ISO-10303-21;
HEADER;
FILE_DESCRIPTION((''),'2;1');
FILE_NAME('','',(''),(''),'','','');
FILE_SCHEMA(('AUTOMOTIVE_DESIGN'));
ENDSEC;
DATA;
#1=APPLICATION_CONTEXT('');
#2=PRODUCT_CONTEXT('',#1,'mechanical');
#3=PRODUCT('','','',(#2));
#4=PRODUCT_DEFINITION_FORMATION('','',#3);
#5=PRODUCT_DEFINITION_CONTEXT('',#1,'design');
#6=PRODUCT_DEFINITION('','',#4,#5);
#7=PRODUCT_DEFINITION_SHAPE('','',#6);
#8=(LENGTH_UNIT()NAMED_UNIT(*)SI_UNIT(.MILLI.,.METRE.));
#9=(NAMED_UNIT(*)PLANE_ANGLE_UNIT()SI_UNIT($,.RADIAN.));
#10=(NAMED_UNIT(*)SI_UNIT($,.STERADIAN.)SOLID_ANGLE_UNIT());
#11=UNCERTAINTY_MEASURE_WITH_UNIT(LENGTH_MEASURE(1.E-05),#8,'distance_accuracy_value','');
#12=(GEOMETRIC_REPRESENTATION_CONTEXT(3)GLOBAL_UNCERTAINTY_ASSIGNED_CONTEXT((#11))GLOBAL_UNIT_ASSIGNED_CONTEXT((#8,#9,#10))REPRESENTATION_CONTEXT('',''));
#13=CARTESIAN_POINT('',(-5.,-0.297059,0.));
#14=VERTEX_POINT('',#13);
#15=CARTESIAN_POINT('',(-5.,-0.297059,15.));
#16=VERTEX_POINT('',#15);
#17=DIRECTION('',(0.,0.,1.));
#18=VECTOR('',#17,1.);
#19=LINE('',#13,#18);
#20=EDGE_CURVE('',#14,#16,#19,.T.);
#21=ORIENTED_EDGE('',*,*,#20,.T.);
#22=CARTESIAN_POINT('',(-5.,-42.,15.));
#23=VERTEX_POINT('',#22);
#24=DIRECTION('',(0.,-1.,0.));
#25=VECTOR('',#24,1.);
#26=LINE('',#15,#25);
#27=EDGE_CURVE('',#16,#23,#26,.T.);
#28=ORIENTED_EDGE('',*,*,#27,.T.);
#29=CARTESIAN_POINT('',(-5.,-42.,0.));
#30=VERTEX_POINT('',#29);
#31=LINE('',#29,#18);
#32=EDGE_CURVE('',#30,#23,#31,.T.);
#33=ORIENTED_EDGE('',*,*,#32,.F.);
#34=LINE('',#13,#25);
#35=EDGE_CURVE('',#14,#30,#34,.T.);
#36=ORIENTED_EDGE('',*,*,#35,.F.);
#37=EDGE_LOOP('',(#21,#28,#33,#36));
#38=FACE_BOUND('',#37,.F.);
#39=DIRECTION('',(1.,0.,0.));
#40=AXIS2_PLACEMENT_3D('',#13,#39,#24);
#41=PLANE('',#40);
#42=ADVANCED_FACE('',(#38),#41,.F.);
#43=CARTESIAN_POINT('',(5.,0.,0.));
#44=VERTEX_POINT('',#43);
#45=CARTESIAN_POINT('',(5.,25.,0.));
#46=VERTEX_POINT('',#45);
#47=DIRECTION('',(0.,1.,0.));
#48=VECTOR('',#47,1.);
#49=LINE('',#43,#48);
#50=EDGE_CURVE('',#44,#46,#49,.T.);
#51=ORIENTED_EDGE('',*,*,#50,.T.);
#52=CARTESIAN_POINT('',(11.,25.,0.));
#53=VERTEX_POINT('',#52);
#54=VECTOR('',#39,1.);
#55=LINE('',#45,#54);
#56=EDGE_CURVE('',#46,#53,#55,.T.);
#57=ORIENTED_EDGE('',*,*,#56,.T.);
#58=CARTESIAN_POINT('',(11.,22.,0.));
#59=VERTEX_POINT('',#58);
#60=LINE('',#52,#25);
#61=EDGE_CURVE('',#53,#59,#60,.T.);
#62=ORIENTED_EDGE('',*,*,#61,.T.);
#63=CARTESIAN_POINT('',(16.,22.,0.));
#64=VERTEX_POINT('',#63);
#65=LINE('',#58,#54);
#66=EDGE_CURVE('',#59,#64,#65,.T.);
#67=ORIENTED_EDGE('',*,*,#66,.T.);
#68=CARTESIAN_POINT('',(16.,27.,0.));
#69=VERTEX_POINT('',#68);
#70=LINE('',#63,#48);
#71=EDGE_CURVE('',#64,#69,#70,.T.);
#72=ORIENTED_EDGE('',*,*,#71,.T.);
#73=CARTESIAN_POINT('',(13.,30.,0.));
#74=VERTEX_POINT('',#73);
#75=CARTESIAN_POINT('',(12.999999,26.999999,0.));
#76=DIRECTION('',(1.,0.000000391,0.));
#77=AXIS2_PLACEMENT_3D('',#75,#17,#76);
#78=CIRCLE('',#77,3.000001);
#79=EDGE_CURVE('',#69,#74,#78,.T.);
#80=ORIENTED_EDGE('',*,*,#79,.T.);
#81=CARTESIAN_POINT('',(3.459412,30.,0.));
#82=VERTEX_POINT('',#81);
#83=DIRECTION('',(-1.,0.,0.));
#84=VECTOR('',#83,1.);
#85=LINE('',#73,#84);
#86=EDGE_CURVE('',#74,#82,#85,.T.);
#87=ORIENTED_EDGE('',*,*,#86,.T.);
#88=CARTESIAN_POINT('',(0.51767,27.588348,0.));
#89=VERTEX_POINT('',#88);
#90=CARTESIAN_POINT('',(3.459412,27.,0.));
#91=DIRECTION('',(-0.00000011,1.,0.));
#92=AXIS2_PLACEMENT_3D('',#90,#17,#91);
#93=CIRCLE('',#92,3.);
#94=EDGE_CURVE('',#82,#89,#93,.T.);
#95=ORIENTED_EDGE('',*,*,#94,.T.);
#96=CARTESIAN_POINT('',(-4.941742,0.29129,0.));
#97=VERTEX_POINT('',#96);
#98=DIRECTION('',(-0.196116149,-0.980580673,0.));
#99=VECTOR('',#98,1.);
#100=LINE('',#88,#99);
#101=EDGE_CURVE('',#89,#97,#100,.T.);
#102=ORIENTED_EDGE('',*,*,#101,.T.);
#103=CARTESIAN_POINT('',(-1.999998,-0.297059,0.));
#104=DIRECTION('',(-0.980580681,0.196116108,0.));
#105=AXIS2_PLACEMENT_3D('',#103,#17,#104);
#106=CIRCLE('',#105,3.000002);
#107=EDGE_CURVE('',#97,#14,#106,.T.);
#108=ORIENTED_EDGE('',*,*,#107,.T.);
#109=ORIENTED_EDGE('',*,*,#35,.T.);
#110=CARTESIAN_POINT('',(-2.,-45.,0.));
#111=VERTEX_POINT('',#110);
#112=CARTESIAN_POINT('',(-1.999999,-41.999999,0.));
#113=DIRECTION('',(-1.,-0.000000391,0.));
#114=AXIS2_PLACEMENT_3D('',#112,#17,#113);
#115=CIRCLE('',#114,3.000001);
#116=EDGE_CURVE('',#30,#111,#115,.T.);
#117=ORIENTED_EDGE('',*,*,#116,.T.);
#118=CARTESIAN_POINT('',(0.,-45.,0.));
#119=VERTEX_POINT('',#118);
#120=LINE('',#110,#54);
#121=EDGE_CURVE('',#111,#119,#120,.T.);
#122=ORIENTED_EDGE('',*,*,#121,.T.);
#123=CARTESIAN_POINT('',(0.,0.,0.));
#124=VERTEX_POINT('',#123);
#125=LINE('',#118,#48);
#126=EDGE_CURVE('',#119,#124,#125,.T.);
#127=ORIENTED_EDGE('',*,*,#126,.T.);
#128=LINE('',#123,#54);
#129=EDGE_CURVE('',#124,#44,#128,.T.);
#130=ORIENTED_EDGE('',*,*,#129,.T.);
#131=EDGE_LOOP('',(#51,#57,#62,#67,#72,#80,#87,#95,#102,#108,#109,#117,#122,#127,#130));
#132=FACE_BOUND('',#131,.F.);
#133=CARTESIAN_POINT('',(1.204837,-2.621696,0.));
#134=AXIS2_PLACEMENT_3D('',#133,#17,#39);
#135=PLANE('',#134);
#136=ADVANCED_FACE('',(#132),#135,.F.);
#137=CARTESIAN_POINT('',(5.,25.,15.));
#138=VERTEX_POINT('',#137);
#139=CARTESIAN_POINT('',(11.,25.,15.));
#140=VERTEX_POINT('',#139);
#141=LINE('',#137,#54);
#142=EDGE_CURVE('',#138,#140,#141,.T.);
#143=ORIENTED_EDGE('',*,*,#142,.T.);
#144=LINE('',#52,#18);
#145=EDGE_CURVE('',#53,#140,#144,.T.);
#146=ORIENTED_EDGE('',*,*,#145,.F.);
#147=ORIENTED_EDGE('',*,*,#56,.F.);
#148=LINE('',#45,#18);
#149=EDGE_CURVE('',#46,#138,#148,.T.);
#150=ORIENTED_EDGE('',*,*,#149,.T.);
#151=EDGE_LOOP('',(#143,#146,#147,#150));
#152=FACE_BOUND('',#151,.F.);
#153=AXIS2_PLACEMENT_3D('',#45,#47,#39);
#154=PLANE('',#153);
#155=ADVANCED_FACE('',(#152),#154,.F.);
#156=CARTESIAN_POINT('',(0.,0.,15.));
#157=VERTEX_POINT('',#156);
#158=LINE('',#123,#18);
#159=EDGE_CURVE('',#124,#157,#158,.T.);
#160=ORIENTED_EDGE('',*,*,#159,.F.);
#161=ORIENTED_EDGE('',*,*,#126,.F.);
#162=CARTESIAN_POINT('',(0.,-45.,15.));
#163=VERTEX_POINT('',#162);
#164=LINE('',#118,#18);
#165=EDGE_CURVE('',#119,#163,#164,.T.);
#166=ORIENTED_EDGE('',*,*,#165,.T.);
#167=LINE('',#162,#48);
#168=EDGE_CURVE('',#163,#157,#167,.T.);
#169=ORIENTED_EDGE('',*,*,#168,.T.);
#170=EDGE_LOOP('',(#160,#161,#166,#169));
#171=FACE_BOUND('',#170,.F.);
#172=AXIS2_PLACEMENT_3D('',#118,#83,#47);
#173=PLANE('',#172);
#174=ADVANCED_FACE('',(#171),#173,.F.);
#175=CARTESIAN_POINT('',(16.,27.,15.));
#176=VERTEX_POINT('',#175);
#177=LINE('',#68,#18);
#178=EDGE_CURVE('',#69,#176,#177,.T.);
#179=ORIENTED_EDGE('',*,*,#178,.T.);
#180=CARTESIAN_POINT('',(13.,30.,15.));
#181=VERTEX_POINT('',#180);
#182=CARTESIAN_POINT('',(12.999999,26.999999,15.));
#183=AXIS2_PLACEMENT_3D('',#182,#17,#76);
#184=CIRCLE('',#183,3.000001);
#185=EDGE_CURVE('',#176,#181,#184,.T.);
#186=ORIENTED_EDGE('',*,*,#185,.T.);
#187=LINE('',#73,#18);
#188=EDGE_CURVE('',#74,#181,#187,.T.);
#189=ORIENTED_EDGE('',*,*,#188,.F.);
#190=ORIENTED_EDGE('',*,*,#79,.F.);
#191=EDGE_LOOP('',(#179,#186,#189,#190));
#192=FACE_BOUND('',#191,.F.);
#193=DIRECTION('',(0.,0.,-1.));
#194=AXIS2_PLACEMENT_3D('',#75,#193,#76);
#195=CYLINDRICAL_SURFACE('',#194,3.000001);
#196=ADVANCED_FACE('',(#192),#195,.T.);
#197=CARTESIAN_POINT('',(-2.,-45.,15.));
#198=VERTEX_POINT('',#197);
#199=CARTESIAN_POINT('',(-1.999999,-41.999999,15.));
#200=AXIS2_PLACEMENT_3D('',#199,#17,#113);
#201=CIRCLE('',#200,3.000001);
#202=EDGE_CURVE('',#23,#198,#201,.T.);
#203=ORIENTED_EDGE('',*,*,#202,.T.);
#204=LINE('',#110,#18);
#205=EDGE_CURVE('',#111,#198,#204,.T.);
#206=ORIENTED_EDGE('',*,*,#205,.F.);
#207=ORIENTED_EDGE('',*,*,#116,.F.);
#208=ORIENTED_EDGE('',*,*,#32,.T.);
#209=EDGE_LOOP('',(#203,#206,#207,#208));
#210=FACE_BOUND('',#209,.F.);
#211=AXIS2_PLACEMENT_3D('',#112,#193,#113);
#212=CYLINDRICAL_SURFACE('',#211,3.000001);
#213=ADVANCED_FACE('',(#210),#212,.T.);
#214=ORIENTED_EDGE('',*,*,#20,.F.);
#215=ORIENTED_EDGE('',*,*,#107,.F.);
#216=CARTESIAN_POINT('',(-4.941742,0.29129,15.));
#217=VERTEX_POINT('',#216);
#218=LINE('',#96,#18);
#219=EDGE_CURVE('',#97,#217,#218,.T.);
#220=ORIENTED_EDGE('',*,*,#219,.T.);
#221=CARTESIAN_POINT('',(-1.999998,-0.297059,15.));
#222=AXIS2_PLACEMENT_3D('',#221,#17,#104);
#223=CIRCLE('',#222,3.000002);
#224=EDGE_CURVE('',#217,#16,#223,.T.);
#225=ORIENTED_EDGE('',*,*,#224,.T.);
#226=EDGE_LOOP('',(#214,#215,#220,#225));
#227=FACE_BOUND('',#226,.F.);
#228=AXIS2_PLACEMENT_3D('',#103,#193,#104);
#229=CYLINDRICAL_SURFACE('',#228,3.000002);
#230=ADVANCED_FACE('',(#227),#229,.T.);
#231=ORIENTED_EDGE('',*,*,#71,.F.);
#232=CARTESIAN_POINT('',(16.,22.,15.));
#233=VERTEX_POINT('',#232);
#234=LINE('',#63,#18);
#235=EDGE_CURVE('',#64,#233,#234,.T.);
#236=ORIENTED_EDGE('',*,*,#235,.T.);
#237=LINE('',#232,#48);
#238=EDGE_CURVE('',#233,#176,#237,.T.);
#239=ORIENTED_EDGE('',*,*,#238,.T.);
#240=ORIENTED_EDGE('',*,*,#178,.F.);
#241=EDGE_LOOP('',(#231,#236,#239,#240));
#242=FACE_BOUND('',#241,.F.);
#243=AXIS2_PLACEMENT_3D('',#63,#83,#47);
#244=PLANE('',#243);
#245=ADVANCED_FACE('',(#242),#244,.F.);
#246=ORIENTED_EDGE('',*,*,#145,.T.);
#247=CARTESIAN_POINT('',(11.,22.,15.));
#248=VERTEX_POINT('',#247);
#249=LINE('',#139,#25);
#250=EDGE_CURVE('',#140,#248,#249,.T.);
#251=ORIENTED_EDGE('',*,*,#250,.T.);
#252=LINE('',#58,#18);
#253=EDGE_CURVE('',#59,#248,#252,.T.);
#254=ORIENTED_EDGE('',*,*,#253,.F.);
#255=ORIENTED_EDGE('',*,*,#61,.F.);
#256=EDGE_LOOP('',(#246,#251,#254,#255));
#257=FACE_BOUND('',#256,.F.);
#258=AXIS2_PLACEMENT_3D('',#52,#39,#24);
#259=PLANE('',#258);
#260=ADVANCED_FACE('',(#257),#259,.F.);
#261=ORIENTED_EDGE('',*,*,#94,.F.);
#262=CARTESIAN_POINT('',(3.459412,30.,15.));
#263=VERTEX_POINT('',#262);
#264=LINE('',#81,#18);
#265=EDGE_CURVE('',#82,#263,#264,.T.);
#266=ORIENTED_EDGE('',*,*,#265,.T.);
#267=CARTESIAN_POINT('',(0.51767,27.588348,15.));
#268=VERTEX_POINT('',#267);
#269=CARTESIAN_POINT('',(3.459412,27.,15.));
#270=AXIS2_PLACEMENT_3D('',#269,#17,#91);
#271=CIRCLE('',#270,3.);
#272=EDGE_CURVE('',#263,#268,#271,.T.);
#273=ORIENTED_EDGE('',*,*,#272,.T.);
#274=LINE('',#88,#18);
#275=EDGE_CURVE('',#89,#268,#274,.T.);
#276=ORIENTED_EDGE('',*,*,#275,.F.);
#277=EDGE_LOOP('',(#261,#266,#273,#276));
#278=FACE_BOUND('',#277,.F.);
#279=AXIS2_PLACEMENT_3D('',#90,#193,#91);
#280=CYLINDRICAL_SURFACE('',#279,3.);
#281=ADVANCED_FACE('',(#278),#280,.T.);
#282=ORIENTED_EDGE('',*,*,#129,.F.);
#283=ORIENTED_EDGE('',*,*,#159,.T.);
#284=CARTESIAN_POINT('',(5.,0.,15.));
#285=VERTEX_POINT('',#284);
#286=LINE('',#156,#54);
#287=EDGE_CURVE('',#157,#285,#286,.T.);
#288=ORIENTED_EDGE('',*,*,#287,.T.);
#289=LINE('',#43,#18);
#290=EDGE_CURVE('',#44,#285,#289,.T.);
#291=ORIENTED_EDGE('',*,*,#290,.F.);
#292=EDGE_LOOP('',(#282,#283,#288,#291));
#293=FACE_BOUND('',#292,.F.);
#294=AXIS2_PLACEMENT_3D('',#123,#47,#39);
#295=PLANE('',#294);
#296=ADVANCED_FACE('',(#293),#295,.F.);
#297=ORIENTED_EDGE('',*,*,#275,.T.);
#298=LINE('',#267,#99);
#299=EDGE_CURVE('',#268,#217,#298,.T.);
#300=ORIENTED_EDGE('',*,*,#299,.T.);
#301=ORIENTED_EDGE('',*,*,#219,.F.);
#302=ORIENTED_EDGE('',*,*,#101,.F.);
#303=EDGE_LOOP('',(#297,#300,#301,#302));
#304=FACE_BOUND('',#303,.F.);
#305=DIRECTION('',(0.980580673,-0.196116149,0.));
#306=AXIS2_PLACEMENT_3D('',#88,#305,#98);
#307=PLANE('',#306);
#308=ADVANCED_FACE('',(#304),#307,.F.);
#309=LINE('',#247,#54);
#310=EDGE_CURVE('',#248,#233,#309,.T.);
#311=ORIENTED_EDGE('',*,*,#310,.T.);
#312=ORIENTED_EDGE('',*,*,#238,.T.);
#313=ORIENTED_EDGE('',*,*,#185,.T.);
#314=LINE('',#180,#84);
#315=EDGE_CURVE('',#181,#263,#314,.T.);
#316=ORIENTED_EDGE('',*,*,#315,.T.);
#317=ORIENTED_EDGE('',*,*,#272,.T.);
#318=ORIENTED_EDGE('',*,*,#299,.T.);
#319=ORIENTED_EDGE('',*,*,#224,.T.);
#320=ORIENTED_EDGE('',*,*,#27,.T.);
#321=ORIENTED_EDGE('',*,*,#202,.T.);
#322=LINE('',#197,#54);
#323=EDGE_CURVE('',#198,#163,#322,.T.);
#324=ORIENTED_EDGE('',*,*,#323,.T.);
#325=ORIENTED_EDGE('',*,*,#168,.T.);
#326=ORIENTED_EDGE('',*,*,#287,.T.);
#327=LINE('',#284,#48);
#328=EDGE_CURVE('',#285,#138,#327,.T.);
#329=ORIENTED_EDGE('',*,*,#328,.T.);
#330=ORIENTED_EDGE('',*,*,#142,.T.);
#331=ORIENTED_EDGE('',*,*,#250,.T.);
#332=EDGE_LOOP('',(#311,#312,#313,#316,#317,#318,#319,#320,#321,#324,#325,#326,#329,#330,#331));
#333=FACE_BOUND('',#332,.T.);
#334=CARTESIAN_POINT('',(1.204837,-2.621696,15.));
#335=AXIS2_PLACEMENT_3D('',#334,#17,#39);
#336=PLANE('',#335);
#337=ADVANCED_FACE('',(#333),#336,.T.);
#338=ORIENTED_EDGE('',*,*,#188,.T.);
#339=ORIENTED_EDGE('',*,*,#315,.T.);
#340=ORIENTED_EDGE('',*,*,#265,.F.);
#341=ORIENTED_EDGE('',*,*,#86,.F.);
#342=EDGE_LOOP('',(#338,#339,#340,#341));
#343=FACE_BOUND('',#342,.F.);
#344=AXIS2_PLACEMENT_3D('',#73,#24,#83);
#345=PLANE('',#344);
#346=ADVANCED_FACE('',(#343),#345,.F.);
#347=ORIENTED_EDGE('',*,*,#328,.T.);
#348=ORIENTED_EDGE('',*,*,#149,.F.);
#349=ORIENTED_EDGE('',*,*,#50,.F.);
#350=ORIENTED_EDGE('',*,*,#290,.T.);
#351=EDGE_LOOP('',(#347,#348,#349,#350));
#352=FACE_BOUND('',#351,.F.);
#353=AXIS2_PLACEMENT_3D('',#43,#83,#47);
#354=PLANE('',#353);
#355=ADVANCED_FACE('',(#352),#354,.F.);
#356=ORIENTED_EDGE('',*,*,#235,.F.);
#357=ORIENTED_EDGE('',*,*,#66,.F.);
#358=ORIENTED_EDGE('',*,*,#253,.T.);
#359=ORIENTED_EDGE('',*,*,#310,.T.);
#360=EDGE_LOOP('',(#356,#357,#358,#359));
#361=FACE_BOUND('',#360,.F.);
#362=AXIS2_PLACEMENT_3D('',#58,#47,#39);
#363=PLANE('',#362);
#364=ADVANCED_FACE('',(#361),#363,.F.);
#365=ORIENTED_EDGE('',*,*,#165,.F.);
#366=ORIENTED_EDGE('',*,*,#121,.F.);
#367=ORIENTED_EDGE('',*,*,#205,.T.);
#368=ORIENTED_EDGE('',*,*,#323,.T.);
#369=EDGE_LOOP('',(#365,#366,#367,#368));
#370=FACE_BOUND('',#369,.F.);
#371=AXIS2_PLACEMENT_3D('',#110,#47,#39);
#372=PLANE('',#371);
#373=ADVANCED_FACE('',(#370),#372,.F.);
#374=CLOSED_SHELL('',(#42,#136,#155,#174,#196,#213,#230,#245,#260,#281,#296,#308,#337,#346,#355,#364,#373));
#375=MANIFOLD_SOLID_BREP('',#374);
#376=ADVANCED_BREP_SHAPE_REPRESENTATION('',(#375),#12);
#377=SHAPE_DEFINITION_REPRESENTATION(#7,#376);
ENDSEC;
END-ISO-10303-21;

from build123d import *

# Parameters (mm, degrees)
F1_DEPTH = 15


with BuildPart() as f1:
    # F0 (on Top) → F1 (new body)
    with BuildSketch(Plane.XY):
        with BuildLine():
            ThreePointArc((-5, -42), (-4.12132, -44.12132), (-2, -45))
            Line((-2, -45), (0, -45))
            Line((0, -45), (0, 0))
            Line((0, 0), (5, 0))
            Line((5, 0), (5, 25))
            Line((5, 25), (11, 25))
            Line((11, 25), (11, 22))
            Line((11, 22), (16, 22))
            Line((16, 22), (16, 27))
            ThreePointArc((16, 27), (15.12132, 29.12132), (13, 30))
            Line((13, 30), (3.459412, 30))
            ThreePointArc((3.459412, 30), (1.557445, 29.320026), (0.51767, 27.588348))
            Line((0.51767, 27.588348), (-4.941742, 0.29129))
            ThreePointArc((-4.941742, 0.29129), (-4.9854, -0.001446), (-5, -0.297059))
            Line((-5, -0.297059), (-5, -42))
        make_face()
    extrude(amount=F1_DEPTH)


solid = f1.part
